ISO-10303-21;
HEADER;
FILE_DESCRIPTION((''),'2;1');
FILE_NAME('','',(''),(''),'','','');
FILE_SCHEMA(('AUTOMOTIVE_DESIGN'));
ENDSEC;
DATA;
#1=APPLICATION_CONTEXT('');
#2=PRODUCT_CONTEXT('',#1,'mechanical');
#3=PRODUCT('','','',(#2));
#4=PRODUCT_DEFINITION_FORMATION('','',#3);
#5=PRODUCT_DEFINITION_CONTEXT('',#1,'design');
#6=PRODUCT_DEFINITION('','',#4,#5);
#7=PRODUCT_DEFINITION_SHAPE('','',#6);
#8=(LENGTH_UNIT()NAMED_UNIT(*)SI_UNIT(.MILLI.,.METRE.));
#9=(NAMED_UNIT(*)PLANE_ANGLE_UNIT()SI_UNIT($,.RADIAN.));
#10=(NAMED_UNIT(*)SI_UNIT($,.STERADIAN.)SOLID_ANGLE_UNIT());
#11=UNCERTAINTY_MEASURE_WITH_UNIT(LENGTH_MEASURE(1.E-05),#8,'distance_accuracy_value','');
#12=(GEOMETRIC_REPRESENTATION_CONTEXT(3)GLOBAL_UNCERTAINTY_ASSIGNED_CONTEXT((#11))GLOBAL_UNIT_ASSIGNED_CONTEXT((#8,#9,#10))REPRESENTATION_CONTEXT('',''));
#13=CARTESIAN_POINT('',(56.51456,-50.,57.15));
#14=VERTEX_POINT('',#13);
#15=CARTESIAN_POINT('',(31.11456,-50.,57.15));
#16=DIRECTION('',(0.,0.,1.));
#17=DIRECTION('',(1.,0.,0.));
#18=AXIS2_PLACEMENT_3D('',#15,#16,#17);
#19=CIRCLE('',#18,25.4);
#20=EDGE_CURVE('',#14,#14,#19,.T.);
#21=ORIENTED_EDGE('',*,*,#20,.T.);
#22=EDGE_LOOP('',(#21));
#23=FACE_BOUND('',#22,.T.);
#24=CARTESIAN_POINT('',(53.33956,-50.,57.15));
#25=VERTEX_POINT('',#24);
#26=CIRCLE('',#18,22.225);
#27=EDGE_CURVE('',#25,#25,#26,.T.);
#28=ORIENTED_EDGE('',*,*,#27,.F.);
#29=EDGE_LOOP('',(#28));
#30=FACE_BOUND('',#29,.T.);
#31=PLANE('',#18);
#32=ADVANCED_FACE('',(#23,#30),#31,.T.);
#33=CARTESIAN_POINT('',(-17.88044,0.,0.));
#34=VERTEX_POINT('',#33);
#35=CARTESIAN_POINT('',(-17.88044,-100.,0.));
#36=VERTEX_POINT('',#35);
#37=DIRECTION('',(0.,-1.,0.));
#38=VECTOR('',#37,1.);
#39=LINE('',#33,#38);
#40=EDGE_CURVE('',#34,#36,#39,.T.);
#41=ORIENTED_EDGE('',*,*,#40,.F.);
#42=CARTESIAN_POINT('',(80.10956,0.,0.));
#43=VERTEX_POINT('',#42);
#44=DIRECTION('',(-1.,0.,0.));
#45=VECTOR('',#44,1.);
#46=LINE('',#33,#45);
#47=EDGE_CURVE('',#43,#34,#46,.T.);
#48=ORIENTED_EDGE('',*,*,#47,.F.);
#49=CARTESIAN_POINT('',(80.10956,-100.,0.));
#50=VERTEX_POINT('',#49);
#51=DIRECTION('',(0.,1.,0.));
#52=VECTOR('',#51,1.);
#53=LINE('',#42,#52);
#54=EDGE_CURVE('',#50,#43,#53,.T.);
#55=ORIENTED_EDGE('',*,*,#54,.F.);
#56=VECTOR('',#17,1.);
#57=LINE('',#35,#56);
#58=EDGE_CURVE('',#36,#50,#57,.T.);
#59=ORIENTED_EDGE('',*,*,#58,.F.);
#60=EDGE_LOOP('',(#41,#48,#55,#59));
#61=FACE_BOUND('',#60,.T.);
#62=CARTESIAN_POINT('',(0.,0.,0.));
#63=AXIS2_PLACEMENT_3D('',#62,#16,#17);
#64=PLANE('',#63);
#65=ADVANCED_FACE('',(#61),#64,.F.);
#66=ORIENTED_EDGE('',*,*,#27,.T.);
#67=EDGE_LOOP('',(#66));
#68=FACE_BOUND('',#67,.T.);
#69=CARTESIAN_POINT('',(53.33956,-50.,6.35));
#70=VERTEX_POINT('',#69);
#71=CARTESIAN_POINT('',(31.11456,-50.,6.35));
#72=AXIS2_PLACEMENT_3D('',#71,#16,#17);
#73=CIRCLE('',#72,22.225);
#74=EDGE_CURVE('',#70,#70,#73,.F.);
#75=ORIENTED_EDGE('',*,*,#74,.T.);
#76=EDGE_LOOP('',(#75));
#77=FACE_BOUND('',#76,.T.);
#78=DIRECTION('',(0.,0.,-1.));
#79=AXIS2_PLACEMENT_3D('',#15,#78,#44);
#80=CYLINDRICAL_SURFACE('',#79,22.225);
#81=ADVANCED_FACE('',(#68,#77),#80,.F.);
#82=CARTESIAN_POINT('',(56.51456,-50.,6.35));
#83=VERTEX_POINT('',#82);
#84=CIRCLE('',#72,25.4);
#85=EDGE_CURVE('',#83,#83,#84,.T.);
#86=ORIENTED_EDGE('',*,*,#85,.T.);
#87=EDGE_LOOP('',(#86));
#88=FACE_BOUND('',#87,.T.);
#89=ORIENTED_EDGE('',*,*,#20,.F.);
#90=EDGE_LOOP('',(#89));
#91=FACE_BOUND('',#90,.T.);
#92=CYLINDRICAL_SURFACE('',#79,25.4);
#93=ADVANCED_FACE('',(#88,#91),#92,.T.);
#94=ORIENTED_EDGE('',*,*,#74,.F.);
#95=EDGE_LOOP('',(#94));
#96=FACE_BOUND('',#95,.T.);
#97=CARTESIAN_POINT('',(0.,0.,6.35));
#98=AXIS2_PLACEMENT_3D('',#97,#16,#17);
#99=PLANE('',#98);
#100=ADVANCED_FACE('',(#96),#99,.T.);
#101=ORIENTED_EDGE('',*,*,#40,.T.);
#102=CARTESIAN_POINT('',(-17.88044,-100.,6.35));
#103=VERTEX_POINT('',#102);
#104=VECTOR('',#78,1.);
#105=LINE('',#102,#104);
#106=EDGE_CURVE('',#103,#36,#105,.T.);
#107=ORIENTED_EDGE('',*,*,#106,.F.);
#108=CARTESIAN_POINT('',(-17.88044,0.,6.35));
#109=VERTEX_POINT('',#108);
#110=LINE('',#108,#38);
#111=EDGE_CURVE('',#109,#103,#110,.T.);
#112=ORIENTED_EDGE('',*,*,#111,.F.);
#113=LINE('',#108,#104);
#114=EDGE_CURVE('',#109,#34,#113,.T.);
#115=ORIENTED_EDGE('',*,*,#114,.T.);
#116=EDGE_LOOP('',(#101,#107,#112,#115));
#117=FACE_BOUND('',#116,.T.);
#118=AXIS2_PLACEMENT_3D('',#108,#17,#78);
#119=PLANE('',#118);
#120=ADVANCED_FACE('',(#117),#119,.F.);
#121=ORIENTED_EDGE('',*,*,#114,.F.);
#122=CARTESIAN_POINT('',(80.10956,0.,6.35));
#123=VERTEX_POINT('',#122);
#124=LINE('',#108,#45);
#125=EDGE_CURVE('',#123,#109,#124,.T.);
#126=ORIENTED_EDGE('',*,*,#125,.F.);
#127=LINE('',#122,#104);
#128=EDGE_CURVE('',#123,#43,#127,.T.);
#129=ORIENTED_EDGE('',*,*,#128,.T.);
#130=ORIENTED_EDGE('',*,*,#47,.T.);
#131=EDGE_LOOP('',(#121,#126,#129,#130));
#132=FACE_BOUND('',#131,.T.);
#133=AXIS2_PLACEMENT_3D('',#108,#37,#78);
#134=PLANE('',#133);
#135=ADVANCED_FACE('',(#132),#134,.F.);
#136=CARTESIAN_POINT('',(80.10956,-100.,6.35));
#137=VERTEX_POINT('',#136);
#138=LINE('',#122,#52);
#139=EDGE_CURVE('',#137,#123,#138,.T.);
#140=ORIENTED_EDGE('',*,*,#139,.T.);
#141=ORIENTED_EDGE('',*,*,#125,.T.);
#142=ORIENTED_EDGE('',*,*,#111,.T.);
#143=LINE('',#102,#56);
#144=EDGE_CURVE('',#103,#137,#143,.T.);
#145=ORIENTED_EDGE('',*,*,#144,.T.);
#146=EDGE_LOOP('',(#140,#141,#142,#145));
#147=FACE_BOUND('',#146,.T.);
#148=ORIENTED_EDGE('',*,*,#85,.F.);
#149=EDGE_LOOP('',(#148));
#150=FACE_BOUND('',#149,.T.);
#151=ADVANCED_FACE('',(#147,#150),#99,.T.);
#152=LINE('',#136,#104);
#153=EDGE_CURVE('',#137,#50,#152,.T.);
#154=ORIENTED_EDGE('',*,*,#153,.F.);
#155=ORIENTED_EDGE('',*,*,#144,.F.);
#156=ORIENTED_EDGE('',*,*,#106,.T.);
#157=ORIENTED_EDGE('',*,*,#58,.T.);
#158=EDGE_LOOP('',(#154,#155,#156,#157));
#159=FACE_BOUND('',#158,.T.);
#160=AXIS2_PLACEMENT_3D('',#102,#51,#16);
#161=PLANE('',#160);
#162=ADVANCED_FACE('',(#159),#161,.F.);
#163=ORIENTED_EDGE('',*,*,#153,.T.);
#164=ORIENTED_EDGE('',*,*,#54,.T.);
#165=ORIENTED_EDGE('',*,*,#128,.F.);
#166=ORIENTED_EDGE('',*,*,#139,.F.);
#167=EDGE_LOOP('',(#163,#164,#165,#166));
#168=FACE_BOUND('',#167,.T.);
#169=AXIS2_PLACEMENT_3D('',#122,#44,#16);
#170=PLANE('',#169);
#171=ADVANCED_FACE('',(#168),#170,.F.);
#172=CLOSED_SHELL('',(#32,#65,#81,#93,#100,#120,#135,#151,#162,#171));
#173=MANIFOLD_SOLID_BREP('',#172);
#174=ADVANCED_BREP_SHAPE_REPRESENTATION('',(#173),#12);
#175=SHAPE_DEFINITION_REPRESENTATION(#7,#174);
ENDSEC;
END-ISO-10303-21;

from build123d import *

# Parameters (mm, degrees)
SKETCH1_W           = 97.99
SKETCH1_H           = 100
BOSS_EXTRUDE1_DEPTH = 6.35
SKETCH2_R           = 25.4
SKETCH2_R_2         = 22.225
BOSS_EXTRUDE2_DEPTH = 50.8


with BuildPart() as part:
    # Sketch1 → Boss-Extrude1 (new body)
    with BuildSketch(Plane.XY):
        with Locations((31.114559885, -50)):
            Rectangle(SKETCH1_W, SKETCH1_H)
    extrude(amount=BOSS_EXTRUDE1_DEPTH)

    # Sketch2 → Boss-Extrude2 (add)
    with BuildSketch(Plane.XY.offset(6.35)):
        with Locations((31.114559885, -50)):
            Circle(SKETCH2_R)
        with Locations((31.114559885, -50)):
            Circle(SKETCH2_R_2, mode=Mode.SUBTRACT)
    extrude(amount=BOSS_EXTRUDE2_DEPTH)


solid = part.part
